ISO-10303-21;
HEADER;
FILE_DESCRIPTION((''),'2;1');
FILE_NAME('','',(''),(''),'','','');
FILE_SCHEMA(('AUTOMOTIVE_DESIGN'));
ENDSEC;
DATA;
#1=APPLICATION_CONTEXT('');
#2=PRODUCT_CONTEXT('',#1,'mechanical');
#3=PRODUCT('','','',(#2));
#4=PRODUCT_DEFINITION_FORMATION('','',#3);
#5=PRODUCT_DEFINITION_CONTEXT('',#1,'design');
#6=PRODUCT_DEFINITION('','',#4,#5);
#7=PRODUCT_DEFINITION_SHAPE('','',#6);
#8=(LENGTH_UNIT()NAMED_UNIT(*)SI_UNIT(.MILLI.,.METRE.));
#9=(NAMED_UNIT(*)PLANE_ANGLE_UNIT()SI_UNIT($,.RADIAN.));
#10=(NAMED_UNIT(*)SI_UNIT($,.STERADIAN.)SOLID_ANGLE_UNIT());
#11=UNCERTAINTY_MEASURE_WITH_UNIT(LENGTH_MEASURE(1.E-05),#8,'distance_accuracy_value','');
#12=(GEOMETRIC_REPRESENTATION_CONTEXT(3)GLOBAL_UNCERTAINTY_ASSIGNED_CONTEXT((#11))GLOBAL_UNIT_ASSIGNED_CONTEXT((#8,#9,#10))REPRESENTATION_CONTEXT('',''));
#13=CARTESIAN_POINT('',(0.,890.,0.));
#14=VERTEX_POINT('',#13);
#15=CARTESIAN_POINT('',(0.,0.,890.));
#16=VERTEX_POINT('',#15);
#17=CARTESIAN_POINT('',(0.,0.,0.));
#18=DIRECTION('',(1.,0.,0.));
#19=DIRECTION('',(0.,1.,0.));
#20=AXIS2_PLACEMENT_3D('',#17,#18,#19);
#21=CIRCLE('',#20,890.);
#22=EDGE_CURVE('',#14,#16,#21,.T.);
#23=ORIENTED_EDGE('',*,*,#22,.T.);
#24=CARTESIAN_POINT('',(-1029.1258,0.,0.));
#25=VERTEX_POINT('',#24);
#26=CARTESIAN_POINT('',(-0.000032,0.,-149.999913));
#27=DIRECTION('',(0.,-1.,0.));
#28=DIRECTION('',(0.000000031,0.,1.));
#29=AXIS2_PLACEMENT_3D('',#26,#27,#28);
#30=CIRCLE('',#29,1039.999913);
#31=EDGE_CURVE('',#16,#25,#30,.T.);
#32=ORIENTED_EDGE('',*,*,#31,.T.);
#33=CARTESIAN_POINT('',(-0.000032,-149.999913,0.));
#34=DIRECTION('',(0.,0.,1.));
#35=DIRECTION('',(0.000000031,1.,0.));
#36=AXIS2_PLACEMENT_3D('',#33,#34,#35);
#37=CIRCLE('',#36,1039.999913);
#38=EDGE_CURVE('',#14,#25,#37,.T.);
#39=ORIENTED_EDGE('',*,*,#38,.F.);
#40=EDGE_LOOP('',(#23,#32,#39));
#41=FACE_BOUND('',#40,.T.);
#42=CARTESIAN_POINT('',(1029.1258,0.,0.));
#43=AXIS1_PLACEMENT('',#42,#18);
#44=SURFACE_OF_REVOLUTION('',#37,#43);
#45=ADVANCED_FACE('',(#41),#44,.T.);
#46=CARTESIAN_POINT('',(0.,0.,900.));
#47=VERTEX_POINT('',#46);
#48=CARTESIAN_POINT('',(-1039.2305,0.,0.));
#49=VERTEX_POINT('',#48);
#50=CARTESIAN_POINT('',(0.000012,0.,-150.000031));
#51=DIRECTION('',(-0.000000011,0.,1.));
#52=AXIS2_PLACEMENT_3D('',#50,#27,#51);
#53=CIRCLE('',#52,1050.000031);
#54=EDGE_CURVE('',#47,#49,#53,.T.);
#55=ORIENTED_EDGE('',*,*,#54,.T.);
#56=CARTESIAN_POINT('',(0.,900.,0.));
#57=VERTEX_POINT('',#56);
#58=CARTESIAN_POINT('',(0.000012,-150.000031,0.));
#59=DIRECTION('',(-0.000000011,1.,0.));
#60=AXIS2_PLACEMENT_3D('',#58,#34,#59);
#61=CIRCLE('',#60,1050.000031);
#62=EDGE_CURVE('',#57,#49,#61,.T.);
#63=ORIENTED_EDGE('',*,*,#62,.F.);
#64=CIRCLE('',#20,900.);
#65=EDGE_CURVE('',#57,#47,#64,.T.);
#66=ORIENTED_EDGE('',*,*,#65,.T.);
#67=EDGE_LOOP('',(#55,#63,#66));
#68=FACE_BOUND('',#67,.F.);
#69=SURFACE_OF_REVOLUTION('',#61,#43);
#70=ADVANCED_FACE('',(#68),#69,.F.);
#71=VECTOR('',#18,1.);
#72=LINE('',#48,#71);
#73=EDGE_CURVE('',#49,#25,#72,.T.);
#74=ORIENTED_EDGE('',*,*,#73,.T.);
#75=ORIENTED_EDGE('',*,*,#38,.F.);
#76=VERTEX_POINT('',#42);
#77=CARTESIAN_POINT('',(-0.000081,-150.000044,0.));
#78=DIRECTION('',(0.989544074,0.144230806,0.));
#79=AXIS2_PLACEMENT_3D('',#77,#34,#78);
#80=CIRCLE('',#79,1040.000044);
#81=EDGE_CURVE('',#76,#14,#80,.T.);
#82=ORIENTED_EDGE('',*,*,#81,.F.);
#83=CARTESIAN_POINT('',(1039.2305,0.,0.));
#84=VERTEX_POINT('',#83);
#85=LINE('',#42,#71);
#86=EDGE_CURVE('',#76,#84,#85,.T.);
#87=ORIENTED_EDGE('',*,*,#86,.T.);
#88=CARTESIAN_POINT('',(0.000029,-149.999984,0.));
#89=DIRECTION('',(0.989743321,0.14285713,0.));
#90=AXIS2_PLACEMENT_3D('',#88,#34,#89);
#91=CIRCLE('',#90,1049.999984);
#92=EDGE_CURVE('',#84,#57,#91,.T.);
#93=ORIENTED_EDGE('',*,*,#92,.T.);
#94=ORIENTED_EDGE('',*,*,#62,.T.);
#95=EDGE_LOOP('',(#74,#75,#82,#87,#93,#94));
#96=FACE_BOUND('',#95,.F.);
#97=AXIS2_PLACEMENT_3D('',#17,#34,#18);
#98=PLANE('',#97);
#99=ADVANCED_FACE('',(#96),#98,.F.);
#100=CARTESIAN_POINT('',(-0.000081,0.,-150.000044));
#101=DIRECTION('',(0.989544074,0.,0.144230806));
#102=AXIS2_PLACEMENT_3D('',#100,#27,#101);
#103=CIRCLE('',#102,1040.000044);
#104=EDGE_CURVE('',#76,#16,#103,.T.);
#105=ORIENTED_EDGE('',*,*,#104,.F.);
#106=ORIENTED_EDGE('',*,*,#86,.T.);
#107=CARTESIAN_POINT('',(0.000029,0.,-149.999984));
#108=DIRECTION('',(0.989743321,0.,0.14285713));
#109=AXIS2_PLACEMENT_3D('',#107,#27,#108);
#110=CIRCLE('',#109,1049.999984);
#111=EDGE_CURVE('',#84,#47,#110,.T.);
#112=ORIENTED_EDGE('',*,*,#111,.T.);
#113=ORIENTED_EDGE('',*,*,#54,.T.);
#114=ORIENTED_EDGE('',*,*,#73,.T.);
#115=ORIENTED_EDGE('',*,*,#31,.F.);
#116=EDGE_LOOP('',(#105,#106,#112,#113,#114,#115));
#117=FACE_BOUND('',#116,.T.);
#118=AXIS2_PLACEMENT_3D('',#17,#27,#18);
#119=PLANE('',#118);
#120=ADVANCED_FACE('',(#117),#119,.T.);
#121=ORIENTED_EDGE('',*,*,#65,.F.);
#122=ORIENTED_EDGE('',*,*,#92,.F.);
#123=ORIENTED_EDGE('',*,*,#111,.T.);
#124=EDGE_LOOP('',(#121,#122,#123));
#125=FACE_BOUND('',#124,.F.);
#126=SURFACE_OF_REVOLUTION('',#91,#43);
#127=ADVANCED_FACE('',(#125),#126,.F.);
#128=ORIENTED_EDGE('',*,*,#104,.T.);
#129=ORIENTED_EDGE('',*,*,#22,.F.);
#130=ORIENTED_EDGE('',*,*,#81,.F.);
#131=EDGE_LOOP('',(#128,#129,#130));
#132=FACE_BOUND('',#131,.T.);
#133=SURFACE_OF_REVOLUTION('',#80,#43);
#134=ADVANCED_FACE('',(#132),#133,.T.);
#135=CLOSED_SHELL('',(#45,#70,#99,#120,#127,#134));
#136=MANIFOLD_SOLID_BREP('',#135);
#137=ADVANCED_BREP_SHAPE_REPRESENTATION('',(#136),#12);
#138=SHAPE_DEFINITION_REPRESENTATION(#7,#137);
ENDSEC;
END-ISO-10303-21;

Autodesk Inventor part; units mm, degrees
ref_plane "XZ Plane" through (0, 0, 0) normal (0, 1, 0) x (-1, 0, 0)
ref_plane "XY Plane" through (0, 0, 0) normal (0, 0, 1) x (1, 0, 0)
sketch "Sketch1" plane through (0, 0, 0) normal (0, 0, 1) x (1, 0, 0)
  arc A0 (0, 900) -> (-1039.2305, 0) centre (0, -150) ccw
  arc A1 (1039.2305, 0) -> (0, 900) centre (0, -150) ccw
  arc A2 (0, 890) -> (-1029.1258, 0) centre (0, -150) ccw
  arc A3 (1029.1258, 0) -> (0, 890) centre (0, -150) ccw
  line L0 (1029.1258, 0) -> (1039.2305, 0)
  line L1 (-1039.2305, 0) -> (-1029.1258, 0)
  point P0 (0, 0)
  dimension "d0" = 0
  dimension "d1" = 0
  dimension "d2" = 0
  dimension "d3" = 150
  dimension "d6" = 900
  dimension "d8" = 1039.2305
  dimension "d10" = 0
  dimension "d11" = 10
  dimension "d12" = 0
revolve "Revolution2" add sketch "Sketch1" angle 90 about axis through (1029.1258, 0, 0) along (1, 0, 0)
ref_plane "midPlane" through (0, 0, 0) normal (1, 0, 0) x (0, 1, 0)
ref_plane "end1" through (1039.2305, 0, 0) normal (1, 0, 0) x (0, 1, 0)
ref_plane "end2" through (-1039.2305, 0, 0) normal (1, 0, 0) x (0, 1, 0)
properties part number "cover2_cap_extended"
